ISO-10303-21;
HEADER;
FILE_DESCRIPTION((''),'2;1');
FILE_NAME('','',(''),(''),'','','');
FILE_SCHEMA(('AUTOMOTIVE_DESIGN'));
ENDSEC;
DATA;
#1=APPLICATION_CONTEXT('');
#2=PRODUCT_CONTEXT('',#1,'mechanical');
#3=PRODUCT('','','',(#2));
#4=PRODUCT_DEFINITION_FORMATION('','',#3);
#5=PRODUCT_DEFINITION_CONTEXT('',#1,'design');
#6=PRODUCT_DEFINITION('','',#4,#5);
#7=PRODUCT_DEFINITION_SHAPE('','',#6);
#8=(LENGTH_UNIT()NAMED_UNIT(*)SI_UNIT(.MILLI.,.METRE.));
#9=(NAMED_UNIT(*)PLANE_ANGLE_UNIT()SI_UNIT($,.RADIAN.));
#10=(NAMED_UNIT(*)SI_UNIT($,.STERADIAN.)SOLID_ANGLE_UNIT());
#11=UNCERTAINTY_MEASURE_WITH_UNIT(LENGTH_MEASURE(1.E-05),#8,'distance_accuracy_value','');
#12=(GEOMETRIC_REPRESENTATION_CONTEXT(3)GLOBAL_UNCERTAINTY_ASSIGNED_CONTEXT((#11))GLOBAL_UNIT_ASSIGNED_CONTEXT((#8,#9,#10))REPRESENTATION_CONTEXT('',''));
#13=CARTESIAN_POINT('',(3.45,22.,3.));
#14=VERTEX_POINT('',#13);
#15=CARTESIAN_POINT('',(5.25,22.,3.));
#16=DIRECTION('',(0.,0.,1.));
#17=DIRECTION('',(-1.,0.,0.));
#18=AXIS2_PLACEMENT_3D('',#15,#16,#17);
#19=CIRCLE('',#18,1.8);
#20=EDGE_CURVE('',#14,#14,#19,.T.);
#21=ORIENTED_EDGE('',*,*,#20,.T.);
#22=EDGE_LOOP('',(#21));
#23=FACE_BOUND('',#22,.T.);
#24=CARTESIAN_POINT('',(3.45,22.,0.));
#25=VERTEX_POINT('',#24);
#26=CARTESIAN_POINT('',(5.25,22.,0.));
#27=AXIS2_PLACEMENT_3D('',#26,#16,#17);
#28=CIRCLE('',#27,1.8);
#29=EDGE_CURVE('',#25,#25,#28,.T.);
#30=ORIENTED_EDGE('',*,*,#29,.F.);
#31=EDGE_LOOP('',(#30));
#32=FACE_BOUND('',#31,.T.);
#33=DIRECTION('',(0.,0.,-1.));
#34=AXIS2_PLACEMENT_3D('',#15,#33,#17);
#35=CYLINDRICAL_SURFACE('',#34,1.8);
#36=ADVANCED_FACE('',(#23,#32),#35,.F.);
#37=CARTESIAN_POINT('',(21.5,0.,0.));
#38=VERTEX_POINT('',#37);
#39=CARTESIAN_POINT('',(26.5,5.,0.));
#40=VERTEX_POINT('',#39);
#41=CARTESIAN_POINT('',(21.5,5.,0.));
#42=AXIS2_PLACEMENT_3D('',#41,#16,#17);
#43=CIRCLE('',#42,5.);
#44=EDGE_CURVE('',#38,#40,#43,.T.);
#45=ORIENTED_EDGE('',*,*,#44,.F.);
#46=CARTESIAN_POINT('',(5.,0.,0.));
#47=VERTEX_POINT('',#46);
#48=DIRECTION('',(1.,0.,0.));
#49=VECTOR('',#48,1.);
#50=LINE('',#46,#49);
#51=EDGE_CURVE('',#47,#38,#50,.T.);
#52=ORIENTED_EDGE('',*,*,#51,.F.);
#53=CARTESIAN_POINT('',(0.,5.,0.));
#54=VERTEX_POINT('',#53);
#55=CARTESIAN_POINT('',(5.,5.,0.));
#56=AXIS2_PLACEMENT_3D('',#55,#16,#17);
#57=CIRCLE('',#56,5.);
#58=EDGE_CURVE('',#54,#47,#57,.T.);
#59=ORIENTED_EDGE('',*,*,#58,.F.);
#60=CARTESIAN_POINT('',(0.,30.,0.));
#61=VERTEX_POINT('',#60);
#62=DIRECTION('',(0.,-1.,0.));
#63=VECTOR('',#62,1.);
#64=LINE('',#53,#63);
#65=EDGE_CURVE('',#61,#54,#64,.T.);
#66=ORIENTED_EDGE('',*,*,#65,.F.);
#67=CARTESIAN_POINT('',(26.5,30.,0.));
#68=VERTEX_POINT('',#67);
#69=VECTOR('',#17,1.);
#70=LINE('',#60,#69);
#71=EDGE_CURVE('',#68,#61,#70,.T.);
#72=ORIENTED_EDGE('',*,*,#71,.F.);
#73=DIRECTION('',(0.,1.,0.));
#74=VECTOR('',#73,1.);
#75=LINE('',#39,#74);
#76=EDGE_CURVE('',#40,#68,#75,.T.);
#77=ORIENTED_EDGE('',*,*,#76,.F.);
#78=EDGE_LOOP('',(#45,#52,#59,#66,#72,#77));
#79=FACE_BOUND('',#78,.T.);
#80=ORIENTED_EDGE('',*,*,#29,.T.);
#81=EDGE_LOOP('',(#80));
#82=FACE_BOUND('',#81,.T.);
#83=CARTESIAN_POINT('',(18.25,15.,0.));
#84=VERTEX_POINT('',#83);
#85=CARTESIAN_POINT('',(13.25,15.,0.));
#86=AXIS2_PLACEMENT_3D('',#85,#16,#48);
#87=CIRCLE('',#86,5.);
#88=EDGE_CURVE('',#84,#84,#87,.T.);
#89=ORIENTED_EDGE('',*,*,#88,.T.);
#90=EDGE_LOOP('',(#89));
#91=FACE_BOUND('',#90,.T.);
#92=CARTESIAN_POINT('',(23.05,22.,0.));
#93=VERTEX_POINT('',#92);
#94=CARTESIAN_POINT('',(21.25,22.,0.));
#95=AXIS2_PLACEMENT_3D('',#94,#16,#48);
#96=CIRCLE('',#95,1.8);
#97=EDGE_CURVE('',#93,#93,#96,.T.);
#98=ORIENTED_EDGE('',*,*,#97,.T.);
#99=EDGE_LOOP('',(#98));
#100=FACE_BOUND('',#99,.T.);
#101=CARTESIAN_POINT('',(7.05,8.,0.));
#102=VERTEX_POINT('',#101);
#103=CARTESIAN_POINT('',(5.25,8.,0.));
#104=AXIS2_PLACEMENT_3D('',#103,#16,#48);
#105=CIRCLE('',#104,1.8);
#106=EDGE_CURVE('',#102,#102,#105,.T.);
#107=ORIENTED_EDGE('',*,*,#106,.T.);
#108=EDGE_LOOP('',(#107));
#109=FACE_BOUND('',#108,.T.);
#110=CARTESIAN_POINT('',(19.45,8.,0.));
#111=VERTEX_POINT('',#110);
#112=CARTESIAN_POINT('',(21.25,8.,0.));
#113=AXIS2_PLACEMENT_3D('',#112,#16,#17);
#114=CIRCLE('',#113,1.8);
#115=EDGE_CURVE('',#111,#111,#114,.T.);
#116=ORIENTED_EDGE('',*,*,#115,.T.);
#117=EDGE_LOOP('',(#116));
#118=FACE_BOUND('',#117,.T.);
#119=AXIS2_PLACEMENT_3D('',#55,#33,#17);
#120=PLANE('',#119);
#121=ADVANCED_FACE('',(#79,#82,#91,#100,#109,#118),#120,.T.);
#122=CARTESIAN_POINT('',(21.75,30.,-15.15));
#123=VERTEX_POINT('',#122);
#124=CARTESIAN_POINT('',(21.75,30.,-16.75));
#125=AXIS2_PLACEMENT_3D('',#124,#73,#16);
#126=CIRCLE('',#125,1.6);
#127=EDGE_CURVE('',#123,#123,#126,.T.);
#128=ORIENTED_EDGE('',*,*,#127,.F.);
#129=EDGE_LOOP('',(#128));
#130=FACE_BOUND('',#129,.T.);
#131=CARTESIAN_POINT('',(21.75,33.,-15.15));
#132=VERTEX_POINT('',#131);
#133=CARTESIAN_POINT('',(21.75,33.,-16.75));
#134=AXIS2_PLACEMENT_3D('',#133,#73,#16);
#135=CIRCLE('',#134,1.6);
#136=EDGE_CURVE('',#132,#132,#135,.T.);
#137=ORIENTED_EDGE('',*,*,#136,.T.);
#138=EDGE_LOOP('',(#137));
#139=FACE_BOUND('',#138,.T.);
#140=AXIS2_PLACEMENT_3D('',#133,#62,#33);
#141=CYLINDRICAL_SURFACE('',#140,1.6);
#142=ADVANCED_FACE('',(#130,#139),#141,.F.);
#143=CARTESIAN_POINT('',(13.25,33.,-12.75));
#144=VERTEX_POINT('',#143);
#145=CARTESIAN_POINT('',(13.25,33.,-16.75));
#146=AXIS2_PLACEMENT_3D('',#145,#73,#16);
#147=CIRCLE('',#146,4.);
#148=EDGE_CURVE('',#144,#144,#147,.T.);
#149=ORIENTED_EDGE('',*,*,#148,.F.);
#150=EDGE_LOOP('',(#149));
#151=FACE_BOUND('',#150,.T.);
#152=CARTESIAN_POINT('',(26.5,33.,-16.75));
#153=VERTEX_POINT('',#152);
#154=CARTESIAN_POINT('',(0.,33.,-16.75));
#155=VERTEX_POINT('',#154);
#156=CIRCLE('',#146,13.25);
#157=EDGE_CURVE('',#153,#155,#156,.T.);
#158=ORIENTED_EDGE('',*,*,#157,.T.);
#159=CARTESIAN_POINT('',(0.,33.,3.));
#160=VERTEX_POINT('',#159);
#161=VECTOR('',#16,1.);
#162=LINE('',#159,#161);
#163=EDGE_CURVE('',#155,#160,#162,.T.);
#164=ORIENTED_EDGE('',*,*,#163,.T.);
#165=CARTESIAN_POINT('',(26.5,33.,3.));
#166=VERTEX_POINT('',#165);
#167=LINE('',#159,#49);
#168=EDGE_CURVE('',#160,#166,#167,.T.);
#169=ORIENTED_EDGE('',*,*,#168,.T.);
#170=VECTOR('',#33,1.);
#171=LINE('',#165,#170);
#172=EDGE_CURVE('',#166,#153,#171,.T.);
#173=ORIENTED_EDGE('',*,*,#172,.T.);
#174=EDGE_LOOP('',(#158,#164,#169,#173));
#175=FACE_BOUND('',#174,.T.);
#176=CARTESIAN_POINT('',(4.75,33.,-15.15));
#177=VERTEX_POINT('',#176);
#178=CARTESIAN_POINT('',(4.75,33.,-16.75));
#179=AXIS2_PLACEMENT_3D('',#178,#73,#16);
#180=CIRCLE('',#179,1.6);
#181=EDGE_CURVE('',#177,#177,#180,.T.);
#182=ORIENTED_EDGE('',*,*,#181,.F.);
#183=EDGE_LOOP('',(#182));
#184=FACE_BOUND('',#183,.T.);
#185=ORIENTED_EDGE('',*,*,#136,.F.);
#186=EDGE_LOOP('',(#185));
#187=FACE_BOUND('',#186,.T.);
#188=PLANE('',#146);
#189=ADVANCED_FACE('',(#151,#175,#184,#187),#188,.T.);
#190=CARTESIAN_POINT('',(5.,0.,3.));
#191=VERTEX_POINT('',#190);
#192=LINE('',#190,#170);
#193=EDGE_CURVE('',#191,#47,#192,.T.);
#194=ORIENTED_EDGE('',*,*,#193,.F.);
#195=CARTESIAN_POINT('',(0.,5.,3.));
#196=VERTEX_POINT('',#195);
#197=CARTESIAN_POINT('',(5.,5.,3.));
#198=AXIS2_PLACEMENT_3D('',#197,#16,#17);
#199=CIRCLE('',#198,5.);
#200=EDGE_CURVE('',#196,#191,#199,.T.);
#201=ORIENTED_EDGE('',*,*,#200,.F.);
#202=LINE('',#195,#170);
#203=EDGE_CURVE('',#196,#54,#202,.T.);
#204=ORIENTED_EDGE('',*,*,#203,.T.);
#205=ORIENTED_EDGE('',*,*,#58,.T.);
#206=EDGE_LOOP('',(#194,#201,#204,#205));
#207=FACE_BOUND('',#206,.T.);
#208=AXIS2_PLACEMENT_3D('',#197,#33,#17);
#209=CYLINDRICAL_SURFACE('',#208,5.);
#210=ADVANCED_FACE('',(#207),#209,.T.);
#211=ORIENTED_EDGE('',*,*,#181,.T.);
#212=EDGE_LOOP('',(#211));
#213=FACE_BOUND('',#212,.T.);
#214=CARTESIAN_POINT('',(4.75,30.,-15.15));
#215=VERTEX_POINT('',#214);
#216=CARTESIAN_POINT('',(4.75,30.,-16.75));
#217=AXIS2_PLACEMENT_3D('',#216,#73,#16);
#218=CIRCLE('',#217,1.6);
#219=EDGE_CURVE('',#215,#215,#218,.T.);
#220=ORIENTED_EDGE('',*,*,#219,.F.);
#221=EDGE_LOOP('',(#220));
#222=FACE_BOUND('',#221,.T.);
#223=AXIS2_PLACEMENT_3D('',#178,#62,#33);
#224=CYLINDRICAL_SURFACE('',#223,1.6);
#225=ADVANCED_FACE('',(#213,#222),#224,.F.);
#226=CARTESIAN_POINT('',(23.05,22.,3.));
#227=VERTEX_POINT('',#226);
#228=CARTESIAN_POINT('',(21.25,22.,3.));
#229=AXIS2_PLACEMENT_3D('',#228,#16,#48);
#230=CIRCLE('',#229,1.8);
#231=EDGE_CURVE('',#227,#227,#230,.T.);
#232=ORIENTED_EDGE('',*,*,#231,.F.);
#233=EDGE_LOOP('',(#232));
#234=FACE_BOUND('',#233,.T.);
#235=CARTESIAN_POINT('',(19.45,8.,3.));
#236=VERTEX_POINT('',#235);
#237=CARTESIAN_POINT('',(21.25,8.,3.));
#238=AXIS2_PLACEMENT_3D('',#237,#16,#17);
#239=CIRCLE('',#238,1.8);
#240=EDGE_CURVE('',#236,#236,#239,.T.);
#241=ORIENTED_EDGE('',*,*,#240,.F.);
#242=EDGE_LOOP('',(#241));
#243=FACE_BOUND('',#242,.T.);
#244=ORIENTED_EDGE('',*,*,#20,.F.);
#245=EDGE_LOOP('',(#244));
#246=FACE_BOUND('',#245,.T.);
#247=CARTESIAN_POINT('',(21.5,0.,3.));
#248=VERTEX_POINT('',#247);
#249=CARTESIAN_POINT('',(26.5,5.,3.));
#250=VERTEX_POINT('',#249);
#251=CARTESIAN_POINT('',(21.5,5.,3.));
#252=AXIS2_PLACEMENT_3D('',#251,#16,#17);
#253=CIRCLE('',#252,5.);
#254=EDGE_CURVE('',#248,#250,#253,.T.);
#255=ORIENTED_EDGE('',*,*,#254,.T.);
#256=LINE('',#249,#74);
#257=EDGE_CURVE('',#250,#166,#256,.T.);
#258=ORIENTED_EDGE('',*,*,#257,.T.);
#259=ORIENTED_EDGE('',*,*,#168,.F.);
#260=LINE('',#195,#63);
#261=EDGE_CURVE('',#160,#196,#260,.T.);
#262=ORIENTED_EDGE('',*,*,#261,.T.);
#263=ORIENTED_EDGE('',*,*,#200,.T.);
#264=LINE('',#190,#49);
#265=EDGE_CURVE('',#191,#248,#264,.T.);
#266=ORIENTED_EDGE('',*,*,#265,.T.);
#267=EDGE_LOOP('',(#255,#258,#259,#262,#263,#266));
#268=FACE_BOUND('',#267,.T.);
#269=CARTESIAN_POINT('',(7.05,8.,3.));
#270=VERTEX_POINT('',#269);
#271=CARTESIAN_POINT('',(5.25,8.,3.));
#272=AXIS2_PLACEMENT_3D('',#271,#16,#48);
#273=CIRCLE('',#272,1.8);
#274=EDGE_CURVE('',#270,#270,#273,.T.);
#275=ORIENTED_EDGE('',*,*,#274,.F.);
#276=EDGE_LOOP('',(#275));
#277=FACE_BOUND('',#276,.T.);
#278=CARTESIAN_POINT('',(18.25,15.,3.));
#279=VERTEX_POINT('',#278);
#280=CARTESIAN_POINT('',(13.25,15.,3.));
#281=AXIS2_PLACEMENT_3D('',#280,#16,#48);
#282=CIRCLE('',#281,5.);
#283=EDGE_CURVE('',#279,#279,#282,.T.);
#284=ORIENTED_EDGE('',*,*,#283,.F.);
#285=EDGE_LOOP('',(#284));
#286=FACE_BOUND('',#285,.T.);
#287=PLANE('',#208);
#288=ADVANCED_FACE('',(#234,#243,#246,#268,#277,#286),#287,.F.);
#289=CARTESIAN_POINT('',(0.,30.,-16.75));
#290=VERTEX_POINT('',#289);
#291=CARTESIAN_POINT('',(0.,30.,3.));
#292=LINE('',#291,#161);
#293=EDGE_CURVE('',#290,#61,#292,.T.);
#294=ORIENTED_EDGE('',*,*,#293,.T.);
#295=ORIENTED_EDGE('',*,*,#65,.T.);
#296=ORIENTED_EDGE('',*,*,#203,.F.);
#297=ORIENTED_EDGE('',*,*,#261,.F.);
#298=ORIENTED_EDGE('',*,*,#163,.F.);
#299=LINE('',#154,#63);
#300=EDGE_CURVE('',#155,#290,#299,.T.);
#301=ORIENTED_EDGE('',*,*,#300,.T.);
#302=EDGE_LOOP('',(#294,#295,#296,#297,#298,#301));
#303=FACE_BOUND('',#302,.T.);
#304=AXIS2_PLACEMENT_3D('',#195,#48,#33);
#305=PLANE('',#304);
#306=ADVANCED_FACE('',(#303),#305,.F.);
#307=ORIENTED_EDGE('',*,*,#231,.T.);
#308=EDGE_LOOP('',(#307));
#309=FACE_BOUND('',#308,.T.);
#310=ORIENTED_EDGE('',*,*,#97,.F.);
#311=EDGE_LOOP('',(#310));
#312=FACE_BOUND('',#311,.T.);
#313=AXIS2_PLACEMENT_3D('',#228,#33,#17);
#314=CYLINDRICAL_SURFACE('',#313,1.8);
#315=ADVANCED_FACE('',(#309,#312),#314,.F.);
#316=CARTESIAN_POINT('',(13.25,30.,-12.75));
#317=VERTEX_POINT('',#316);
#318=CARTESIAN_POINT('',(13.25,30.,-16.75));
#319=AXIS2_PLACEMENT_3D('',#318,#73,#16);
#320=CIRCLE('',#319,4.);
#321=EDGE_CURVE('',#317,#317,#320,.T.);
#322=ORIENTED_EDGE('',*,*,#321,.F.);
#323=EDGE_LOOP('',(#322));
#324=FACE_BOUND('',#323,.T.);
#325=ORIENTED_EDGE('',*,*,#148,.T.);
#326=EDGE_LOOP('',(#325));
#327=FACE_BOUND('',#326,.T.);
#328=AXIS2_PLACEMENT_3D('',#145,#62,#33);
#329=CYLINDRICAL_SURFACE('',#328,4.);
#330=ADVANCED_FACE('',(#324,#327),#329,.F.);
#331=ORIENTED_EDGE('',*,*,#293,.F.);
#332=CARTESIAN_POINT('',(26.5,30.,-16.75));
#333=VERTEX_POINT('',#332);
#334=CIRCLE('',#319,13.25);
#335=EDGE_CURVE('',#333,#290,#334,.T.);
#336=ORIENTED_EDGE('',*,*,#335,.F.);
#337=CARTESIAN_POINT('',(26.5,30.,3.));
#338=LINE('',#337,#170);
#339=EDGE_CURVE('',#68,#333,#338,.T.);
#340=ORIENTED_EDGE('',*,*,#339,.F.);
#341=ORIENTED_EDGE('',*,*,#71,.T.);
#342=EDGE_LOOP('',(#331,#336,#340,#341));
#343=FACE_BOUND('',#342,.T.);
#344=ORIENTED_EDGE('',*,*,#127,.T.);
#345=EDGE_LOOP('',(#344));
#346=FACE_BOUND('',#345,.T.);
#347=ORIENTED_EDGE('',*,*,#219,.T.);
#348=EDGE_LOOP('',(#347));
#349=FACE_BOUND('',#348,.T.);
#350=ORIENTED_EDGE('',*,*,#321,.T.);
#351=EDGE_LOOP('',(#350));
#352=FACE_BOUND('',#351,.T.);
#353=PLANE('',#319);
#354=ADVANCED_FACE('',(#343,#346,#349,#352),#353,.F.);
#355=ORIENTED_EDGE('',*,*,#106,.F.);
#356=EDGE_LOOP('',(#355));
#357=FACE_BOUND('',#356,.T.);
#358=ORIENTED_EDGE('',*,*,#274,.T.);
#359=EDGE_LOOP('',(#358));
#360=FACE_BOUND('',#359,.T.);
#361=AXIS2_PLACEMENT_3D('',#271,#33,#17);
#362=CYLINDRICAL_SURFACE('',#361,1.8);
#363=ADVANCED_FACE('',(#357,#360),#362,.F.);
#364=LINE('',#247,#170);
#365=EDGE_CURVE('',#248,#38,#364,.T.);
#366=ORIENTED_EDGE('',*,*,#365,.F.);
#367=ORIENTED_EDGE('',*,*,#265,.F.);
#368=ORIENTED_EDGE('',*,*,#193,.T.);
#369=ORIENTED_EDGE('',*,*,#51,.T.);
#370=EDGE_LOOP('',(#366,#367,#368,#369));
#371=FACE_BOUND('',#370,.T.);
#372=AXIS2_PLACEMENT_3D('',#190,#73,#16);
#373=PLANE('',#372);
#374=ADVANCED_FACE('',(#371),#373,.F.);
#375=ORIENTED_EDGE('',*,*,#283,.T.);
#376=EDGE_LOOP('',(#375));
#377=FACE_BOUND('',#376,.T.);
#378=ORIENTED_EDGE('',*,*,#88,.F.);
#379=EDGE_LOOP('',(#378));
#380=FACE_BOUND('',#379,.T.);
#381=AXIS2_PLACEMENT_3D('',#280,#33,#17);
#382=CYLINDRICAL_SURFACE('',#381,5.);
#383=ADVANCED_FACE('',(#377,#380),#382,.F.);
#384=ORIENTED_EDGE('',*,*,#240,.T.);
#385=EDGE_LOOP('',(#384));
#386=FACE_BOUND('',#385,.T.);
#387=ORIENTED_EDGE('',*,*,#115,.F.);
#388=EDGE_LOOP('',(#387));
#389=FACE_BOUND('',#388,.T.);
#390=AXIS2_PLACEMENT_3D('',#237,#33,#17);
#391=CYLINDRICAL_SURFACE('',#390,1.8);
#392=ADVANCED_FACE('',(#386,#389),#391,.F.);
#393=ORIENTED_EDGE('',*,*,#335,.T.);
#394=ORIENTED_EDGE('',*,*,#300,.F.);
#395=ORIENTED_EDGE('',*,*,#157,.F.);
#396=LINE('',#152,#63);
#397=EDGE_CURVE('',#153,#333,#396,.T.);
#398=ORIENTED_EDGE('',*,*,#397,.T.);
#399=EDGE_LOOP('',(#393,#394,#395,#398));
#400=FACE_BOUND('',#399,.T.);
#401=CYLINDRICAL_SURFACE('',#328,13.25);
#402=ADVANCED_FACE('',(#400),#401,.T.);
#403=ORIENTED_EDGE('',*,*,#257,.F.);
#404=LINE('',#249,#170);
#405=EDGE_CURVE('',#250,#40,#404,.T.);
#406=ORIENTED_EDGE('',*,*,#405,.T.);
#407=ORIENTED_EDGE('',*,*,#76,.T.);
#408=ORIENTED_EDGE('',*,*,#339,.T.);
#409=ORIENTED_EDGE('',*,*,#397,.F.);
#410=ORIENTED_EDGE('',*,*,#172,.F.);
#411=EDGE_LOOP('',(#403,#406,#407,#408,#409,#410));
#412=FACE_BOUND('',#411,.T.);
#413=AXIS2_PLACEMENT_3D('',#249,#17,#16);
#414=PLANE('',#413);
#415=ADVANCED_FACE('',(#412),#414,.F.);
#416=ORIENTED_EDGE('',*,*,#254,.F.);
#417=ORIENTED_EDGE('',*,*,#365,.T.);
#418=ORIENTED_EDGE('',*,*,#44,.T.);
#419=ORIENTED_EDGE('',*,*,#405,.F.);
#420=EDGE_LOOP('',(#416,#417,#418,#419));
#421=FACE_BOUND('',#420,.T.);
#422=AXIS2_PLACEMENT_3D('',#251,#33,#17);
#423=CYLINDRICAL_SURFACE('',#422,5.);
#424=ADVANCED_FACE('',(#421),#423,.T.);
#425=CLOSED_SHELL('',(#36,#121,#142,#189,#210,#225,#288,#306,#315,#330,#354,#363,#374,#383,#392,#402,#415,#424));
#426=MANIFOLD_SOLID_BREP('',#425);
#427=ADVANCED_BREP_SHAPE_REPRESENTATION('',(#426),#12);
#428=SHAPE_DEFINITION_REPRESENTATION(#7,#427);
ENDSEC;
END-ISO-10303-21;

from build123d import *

# Parameters (mm, degrees)
SKETCH_1_R      = 5
SKETCH_1_R_2    = 1.8
EXTRUDE_1_DEPTH = 3
SKETCH_3_R      = 4
SKETCH_3_R_2    = 1.6
EXTRUDE_2_DEPTH = 3


with BuildPart() as part:
    # 草图1 → 凸台-拉伸1 (new body)
    with BuildSketch(Plane.XY):
        with BuildLine():
            Line((5, 0), (21.5, 0))
            ThreePointArc((21.5, 0), (25.035533906, 1.464466094), (26.5, 5))
            Line((26.5, 5), (26.5, 30))
            Line((26.5, 30), (0, 30))
            Line((0, 30), (0, 5))
            ThreePointArc((0, 5), (1.464466094, 1.464466094), (5, 0))
        make_face()
        with Locations((13.25, 15)):
            Circle(SKETCH_1_R, mode=Mode.SUBTRACT)
        with Locations((5.25, 8)):
            Circle(SKETCH_1_R_2, mode=Mode.SUBTRACT)
        with Locations((5.25, 22)):
            Circle(SKETCH_1_R_2, mode=Mode.SUBTRACT)
        with Locations((21.25, 8)):
            Circle(SKETCH_1_R_2, mode=Mode.SUBTRACT)
        with Locations((21.25, 22)):
            Circle(SKETCH_1_R_2, mode=Mode.SUBTRACT)
    extrude(amount=EXTRUDE_1_DEPTH)

    # 草图3 → 凸台-拉伸2 (add)
    with BuildSketch(Plane(origin=(0, 30, 0), x_dir=(1, 0, 0), z_dir=(0, 1, 0))):
        with BuildLine():
            Line((0, -3), (26.5, -3))
            Line((26.5, -3), (26.5, 16.75))
            ThreePointArc((26.5, 16.75), (13.25, 30), (0, 16.75))
            Line((0, 16.75), (0, -3))
        make_face()
        with Locations((13.25, 16.75)):
            Circle(SKETCH_3_R, mode=Mode.SUBTRACT)
        with Locations((21.75, 16.75)):
            Circle(SKETCH_3_R_2, mode=Mode.SUBTRACT)
        with Locations((4.75, 16.75)):
            Circle(SKETCH_3_R_2, mode=Mode.SUBTRACT)
    extrude(amount=EXTRUDE_2_DEPTH)


solid = part.part
